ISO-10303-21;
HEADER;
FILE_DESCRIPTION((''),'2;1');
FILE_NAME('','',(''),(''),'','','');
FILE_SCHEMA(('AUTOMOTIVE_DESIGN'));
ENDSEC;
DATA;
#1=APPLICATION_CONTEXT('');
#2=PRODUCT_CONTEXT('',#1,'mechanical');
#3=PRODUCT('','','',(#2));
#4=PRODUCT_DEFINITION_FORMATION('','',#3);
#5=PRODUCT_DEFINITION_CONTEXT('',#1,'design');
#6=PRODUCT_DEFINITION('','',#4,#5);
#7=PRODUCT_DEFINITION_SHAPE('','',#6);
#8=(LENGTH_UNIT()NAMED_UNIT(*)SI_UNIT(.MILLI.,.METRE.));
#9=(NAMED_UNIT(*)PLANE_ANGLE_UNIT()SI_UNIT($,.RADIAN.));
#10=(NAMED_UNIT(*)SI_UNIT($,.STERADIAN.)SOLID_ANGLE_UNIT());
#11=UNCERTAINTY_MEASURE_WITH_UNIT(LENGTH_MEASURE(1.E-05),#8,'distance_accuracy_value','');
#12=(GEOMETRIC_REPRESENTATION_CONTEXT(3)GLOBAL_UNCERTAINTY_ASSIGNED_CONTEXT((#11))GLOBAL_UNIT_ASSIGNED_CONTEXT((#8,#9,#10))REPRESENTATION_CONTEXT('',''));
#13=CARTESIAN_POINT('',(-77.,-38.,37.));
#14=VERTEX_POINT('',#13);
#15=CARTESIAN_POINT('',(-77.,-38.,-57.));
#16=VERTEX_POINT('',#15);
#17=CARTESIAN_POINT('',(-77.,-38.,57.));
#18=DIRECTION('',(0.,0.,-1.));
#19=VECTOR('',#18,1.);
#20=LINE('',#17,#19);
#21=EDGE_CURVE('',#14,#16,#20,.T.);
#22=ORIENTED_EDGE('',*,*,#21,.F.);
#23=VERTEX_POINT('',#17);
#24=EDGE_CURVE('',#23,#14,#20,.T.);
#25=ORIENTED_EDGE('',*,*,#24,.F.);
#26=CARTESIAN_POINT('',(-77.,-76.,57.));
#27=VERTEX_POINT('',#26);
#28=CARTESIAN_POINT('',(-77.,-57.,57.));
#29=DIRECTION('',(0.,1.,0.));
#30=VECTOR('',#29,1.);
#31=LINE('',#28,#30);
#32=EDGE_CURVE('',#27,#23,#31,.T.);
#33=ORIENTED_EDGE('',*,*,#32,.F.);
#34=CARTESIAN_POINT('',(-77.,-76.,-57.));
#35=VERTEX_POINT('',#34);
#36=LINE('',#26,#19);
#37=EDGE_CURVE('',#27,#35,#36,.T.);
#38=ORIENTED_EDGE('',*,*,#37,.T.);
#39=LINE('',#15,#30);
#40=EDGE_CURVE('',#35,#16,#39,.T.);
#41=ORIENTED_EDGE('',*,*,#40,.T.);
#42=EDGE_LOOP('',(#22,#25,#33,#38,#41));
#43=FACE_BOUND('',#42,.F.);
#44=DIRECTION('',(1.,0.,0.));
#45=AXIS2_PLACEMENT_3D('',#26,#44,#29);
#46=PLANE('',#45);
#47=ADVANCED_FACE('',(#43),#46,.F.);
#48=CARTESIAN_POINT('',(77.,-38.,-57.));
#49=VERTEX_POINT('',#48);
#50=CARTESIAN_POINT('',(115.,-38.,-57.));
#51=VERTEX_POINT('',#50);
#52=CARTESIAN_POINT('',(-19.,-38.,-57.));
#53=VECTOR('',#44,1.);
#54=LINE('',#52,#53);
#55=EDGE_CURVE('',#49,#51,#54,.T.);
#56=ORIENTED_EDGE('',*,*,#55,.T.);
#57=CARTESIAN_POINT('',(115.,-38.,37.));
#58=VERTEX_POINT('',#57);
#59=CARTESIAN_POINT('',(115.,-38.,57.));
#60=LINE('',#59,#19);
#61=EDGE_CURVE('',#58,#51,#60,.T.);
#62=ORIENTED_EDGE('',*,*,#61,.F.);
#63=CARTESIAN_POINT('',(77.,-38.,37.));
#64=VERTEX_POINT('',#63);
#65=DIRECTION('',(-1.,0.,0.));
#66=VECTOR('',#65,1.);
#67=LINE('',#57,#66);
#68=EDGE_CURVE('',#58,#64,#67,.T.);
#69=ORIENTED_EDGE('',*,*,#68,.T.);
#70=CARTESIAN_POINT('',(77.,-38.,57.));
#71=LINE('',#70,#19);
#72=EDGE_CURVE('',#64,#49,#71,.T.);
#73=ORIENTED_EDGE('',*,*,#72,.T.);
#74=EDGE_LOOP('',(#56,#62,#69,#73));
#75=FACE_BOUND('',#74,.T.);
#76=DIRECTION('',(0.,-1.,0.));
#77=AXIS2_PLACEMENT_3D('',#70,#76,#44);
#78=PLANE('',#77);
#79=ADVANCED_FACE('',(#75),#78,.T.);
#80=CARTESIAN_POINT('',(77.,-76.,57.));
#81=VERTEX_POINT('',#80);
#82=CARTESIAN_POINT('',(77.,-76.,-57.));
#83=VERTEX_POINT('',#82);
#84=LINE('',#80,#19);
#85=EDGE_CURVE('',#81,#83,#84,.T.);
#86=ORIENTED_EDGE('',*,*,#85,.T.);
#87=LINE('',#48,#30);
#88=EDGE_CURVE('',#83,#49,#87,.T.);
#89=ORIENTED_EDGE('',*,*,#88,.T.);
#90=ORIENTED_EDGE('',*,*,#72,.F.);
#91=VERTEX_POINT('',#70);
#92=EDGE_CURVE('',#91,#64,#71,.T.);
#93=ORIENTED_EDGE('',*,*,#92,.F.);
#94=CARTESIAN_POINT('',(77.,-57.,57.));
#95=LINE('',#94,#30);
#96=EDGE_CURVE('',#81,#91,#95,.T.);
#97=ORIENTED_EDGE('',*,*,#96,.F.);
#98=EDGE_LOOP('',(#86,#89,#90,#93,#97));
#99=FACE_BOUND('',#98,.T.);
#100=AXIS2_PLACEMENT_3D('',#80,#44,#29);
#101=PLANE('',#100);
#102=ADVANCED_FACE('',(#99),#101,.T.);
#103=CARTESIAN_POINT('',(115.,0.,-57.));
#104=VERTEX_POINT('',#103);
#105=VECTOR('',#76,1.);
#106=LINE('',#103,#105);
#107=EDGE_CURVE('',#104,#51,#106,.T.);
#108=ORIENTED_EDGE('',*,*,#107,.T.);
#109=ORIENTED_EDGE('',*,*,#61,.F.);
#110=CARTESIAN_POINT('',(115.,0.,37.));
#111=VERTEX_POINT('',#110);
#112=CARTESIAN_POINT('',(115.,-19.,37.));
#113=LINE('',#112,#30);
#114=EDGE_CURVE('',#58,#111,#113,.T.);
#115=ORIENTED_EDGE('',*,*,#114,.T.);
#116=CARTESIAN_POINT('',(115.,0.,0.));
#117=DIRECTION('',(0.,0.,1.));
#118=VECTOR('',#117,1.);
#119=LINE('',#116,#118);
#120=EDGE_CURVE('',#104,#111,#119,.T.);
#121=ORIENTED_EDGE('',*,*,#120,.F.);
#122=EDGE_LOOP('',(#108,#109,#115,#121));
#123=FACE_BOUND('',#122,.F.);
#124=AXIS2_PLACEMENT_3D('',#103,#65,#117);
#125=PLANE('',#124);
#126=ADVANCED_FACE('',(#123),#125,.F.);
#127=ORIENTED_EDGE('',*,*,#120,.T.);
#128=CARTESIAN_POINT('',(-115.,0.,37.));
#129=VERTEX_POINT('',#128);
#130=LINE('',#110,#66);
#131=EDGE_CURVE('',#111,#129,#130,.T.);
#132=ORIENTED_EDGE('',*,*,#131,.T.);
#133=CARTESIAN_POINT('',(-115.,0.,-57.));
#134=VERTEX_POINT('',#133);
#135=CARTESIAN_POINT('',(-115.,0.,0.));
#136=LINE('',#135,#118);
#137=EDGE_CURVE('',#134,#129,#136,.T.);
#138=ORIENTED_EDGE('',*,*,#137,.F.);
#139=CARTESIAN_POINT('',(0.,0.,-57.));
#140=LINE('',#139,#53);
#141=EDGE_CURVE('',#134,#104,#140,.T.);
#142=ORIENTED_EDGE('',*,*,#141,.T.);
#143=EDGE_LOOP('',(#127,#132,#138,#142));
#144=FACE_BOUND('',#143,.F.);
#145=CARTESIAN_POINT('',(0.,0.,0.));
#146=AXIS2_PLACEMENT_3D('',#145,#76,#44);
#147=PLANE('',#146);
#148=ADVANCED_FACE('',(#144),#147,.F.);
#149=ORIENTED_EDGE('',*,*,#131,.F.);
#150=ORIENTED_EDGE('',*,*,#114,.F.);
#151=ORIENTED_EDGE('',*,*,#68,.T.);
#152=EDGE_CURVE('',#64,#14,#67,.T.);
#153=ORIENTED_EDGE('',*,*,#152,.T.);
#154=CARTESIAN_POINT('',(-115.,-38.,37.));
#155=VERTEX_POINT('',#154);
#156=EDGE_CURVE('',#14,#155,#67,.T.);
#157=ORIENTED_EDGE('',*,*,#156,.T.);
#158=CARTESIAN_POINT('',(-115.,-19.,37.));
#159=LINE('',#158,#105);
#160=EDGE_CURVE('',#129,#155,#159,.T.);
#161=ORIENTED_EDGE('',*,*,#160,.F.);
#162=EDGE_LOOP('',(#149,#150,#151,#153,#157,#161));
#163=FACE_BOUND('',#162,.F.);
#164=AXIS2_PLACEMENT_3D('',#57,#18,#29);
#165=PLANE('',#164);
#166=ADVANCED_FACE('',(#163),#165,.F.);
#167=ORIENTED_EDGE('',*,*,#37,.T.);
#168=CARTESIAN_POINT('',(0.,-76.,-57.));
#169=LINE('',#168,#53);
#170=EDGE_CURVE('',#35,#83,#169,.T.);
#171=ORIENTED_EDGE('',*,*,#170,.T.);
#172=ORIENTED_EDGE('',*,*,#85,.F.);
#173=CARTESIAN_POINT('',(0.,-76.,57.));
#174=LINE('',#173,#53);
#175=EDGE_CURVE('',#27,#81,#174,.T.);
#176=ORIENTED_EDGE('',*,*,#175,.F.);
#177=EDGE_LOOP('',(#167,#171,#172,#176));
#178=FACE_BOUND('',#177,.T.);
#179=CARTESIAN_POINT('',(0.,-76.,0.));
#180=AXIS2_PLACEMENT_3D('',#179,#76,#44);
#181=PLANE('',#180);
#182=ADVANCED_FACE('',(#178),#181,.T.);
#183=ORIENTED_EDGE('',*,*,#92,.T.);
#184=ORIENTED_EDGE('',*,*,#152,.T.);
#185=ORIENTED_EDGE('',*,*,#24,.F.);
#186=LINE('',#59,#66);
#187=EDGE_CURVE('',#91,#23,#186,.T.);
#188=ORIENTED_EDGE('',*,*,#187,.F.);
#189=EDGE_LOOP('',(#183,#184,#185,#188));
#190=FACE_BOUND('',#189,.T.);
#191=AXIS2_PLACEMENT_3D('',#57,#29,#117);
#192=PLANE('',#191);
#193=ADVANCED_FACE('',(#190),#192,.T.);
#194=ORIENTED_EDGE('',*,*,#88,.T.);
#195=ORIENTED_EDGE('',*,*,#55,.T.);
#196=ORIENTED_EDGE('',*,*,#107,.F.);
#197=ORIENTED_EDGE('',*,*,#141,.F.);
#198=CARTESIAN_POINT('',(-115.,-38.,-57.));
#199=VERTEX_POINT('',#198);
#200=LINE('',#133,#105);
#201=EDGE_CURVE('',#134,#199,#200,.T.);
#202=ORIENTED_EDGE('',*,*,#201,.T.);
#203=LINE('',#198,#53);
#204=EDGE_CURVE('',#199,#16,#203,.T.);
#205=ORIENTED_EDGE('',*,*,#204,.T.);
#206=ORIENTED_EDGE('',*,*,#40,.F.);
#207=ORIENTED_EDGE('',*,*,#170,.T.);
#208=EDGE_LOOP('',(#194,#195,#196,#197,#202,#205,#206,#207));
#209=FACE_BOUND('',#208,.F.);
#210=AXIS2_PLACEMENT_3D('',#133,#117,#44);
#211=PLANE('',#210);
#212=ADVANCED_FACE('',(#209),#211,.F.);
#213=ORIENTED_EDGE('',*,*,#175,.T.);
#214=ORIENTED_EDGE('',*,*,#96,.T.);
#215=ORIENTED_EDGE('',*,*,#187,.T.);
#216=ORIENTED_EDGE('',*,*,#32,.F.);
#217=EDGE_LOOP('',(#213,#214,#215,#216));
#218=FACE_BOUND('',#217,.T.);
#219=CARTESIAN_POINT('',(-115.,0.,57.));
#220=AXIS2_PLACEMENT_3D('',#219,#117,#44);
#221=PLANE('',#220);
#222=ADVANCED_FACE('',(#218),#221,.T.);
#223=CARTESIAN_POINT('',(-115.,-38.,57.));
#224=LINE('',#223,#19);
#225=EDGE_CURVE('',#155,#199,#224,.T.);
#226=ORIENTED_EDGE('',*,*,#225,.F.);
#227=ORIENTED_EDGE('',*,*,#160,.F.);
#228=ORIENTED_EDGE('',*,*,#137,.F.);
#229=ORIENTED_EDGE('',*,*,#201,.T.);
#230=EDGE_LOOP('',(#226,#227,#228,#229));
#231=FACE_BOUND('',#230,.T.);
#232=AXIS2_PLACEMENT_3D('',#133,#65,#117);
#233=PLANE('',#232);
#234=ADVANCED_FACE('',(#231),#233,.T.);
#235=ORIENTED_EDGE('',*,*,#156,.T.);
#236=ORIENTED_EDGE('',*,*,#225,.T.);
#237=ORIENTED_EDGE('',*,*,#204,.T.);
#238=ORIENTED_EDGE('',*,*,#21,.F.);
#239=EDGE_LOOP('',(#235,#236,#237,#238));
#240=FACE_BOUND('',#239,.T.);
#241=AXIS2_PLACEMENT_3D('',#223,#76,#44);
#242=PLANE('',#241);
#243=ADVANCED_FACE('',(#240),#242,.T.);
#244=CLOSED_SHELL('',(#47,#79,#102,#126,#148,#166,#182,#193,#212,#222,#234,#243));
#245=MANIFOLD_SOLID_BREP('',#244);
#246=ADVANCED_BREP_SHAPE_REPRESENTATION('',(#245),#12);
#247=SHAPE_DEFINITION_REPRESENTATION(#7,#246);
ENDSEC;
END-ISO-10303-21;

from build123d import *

# Parameters (mm, degrees)
F0_W     = 230
F0_H     = 114
F1_DEPTH = 76
F3_W     = 38
F3_H     = 20
F4_DEPTH = 230.001
F6_W     = 38
F6_H     = 38
F7_DEPTH = 114.001


with BuildPart() as f1:
    # F0 (on Front) → F1 (new body)
    with BuildSketch(Plane.XZ):
        Rectangle(F0_W, F0_H)
    extrude(amount=F1_DEPTH)

    # F3 (on offset) → F4 (cut, through all)
    with BuildSketch(Plane.YZ.offset(115)):
        with Locations((-19, 47)):
            Rectangle(F3_W, F3_H)
    extrude(amount=-F4_DEPTH, mode=Mode.SUBTRACT)

    # F6 (on offset) → F7 (cut, through all)
    with BuildSketch(Plane.XY.offset(57)):
        with Locations((-96, -57)):
            Rectangle(F6_W, F6_H)
        with Locations((96, -57)):
            Rectangle(F6_W, F6_H)
    extrude(amount=-F7_DEPTH, mode=Mode.SUBTRACT)


solid = f1.part
